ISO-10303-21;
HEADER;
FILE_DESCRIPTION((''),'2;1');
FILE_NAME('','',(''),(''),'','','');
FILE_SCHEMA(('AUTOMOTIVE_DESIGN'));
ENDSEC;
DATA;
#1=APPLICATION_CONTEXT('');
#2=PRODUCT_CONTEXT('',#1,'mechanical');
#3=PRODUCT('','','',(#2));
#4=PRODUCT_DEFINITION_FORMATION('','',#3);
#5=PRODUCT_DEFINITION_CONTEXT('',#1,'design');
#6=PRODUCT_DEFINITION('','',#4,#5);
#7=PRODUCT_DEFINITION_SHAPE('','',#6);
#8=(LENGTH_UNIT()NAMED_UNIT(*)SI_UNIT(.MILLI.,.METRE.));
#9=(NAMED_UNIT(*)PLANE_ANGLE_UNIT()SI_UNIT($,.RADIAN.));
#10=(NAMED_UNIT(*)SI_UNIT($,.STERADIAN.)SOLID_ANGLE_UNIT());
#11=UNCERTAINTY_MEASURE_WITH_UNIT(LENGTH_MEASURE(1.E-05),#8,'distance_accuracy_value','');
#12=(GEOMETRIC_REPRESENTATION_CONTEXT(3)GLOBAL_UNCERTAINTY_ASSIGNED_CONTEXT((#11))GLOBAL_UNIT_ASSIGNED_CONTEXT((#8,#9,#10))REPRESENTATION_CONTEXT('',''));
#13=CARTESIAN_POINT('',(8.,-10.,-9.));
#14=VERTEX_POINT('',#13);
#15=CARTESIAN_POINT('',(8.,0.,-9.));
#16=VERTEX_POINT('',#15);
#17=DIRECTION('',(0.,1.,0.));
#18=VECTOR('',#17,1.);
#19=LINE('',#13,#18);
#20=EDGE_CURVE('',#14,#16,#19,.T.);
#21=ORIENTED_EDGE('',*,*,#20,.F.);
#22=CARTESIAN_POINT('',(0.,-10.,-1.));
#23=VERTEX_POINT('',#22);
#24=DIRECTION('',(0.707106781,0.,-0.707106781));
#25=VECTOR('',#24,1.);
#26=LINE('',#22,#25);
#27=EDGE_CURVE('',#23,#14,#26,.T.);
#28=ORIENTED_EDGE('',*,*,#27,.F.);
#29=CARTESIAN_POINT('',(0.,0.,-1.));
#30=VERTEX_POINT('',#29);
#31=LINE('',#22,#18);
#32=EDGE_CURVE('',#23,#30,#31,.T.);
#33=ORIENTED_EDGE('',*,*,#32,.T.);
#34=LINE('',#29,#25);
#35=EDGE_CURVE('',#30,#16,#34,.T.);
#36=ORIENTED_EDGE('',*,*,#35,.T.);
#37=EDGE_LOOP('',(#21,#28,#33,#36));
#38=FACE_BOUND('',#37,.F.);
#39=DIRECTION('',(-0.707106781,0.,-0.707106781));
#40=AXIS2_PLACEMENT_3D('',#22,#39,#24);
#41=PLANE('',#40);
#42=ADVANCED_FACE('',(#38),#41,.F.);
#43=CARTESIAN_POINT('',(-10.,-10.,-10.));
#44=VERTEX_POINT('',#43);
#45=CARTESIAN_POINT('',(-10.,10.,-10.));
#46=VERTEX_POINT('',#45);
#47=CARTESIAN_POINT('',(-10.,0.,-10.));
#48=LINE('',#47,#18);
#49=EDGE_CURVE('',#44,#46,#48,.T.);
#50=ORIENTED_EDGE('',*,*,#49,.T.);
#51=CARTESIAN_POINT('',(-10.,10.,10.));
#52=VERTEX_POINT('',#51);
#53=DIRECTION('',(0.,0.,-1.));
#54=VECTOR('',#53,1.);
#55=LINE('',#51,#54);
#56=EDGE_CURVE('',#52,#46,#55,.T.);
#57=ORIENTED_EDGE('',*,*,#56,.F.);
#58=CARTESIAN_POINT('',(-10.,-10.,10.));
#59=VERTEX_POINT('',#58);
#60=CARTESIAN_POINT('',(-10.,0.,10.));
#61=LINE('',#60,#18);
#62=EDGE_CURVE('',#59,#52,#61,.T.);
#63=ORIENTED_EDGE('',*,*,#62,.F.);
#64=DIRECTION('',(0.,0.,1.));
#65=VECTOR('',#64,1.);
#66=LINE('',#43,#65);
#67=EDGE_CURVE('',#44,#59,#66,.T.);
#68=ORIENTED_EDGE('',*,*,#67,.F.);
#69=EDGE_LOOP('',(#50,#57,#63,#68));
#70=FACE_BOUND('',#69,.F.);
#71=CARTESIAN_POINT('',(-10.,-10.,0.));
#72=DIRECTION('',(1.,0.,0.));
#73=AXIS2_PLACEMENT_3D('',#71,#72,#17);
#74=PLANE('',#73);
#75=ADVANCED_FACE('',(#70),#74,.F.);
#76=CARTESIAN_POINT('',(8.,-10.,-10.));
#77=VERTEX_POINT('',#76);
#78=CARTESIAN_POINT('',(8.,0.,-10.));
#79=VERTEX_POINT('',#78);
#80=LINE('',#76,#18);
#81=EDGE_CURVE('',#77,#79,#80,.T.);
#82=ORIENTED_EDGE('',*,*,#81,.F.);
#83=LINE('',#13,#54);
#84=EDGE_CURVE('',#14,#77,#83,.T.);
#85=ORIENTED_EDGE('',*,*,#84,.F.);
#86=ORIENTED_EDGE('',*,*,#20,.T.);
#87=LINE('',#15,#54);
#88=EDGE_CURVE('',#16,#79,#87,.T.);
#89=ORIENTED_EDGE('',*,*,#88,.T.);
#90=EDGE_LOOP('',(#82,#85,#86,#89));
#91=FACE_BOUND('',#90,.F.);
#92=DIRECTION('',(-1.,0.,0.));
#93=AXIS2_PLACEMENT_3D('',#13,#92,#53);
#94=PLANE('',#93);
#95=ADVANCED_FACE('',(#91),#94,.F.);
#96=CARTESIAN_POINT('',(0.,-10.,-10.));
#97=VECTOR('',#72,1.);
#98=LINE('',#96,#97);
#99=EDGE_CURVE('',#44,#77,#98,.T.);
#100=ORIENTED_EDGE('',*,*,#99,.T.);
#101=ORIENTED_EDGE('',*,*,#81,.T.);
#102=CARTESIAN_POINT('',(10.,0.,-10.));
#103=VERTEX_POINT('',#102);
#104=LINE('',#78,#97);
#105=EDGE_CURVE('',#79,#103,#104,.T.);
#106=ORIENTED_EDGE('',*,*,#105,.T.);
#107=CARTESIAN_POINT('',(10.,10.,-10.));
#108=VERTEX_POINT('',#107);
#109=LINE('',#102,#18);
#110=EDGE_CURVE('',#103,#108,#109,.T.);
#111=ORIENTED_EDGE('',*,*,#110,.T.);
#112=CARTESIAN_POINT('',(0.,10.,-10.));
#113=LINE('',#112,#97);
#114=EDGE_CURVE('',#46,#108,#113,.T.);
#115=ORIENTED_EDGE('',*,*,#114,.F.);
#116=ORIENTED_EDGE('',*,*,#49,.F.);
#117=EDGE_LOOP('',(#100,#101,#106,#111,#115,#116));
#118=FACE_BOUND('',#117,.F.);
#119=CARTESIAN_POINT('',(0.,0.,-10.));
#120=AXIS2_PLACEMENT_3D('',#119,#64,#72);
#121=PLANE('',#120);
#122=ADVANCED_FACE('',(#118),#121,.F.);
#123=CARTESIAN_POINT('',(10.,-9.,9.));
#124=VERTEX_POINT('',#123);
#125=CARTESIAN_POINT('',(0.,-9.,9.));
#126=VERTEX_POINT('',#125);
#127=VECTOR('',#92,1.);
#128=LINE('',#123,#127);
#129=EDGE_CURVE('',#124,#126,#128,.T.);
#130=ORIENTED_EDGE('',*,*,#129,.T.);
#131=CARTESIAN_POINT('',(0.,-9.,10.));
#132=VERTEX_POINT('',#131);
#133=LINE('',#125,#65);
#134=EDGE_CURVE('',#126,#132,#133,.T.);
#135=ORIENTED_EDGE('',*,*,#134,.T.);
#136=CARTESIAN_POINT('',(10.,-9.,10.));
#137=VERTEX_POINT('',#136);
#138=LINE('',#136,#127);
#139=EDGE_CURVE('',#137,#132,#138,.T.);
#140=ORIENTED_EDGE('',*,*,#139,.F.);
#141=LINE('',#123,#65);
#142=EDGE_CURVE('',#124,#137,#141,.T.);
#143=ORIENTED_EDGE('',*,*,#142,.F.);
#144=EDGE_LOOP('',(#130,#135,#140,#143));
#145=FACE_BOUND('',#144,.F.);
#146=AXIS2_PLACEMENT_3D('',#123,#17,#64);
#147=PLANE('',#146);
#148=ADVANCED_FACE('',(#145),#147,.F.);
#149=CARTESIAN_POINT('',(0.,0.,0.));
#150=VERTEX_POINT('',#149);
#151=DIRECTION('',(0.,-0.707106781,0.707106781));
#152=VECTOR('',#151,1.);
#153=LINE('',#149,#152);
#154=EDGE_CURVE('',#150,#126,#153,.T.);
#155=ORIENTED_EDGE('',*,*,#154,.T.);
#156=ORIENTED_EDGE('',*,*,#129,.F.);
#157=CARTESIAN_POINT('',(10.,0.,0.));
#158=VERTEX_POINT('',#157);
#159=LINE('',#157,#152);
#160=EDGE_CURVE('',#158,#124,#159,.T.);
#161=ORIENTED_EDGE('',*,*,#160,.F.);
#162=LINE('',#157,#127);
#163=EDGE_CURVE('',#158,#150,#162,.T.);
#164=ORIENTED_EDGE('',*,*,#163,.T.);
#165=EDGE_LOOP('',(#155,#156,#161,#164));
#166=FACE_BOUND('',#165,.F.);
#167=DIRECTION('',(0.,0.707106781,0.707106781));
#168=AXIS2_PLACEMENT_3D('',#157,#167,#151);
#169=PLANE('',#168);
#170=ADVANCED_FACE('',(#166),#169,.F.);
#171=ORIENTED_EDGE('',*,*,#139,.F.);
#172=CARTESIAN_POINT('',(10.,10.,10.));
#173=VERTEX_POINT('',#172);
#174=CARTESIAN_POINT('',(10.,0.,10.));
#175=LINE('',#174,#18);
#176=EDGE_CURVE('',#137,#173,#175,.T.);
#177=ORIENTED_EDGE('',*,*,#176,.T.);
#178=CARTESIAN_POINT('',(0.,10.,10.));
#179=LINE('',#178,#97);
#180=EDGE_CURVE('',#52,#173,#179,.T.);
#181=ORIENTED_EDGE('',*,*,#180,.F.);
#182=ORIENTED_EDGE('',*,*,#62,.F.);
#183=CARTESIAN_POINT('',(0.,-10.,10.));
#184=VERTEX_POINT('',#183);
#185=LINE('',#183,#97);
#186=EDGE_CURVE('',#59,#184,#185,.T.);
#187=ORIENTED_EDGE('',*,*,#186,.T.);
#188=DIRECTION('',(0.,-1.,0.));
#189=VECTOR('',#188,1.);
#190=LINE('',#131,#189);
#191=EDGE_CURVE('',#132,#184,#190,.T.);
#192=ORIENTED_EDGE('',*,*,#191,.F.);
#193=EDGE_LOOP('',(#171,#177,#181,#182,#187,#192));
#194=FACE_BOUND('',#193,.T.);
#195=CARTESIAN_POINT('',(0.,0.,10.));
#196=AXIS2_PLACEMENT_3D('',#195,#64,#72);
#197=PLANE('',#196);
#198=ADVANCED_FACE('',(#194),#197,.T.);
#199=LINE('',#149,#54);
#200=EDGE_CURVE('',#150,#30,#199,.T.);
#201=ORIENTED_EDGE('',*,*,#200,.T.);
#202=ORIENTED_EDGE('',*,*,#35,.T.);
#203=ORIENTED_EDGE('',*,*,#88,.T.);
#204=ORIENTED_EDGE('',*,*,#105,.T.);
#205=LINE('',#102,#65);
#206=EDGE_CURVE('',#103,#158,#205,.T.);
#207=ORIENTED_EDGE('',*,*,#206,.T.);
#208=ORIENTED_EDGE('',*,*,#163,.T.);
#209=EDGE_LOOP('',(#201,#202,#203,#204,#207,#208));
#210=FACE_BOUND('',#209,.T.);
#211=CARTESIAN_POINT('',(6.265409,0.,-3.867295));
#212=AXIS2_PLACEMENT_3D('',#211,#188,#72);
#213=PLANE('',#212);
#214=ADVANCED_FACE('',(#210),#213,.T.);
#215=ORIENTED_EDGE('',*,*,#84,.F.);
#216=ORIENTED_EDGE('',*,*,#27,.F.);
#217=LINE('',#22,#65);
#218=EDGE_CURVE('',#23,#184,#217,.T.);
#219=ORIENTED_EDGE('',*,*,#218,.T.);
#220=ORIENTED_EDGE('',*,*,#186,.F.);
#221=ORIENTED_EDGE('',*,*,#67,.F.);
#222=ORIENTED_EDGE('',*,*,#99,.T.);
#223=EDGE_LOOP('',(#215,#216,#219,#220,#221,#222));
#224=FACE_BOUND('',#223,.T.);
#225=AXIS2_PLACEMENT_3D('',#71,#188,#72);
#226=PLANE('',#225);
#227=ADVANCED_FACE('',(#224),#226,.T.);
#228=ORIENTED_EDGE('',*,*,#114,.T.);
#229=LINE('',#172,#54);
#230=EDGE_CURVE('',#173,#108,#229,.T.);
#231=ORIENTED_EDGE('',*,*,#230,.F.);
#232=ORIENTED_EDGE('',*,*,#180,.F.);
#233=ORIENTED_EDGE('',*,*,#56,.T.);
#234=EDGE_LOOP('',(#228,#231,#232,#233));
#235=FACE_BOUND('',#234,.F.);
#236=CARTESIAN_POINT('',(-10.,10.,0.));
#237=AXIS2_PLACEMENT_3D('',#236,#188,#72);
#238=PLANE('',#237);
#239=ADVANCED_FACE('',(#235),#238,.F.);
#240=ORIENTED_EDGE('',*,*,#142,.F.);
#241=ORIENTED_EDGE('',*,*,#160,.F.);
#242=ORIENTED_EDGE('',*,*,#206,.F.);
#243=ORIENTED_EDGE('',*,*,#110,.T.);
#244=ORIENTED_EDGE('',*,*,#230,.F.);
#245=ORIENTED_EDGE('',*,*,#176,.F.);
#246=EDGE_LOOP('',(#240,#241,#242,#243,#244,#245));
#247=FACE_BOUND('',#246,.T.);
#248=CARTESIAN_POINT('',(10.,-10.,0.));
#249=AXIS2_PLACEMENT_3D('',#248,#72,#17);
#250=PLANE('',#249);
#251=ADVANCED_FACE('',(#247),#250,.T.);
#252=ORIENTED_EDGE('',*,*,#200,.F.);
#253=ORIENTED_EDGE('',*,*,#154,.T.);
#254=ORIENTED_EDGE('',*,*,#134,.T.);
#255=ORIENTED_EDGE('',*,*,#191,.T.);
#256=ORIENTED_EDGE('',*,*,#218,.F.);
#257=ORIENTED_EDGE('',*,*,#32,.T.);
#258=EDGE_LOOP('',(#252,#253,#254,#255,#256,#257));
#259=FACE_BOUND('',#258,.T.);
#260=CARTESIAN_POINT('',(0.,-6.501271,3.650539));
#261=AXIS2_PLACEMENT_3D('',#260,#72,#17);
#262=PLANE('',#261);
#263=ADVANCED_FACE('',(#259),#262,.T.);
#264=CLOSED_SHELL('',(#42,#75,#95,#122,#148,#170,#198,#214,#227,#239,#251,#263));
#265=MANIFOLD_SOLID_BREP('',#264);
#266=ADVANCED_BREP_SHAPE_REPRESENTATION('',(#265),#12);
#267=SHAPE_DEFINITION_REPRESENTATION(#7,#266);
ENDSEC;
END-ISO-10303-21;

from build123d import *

# Parameters (mm, degrees)
F0_W     = 20
F0_H     = 20
F1_DEPTH = 10
F3_DEPTH = 10
F4_DEPTH = 10
F6_DEPTH = 10


with BuildPart() as f1:
    # F0 (on Top) → F1 (new body)
    with BuildSketch(Plane.XY):
        Rectangle(F0_W, F0_H)
    extrude(amount=F1_DEPTH)

    # F2 (on face) → F3 (cut)
    with BuildSketch(Plane.YZ.offset(10)):
        Polygon((-9, 9), (-9, 10), (-10, 10), (-10, 0), (0, 0), align=None)
    extrude(amount=-F3_DEPTH, mode=Mode.SUBTRACT)

    # F0 (on Top) → F4 (join)
    with BuildSketch(Plane.XY):
        Rectangle(F0_W, F0_H)
    extrude(amount=-F4_DEPTH)

    # F5 (on face) → F6 (cut)
    with BuildSketch(Plane.XZ.offset(10)):
        Polygon((10, 0), (0, 0), (0, -1), (8, -9), (8, -10), (10, -10), align=None)
    extrude(amount=-F6_DEPTH, mode=Mode.SUBTRACT)


solid = f1.part
